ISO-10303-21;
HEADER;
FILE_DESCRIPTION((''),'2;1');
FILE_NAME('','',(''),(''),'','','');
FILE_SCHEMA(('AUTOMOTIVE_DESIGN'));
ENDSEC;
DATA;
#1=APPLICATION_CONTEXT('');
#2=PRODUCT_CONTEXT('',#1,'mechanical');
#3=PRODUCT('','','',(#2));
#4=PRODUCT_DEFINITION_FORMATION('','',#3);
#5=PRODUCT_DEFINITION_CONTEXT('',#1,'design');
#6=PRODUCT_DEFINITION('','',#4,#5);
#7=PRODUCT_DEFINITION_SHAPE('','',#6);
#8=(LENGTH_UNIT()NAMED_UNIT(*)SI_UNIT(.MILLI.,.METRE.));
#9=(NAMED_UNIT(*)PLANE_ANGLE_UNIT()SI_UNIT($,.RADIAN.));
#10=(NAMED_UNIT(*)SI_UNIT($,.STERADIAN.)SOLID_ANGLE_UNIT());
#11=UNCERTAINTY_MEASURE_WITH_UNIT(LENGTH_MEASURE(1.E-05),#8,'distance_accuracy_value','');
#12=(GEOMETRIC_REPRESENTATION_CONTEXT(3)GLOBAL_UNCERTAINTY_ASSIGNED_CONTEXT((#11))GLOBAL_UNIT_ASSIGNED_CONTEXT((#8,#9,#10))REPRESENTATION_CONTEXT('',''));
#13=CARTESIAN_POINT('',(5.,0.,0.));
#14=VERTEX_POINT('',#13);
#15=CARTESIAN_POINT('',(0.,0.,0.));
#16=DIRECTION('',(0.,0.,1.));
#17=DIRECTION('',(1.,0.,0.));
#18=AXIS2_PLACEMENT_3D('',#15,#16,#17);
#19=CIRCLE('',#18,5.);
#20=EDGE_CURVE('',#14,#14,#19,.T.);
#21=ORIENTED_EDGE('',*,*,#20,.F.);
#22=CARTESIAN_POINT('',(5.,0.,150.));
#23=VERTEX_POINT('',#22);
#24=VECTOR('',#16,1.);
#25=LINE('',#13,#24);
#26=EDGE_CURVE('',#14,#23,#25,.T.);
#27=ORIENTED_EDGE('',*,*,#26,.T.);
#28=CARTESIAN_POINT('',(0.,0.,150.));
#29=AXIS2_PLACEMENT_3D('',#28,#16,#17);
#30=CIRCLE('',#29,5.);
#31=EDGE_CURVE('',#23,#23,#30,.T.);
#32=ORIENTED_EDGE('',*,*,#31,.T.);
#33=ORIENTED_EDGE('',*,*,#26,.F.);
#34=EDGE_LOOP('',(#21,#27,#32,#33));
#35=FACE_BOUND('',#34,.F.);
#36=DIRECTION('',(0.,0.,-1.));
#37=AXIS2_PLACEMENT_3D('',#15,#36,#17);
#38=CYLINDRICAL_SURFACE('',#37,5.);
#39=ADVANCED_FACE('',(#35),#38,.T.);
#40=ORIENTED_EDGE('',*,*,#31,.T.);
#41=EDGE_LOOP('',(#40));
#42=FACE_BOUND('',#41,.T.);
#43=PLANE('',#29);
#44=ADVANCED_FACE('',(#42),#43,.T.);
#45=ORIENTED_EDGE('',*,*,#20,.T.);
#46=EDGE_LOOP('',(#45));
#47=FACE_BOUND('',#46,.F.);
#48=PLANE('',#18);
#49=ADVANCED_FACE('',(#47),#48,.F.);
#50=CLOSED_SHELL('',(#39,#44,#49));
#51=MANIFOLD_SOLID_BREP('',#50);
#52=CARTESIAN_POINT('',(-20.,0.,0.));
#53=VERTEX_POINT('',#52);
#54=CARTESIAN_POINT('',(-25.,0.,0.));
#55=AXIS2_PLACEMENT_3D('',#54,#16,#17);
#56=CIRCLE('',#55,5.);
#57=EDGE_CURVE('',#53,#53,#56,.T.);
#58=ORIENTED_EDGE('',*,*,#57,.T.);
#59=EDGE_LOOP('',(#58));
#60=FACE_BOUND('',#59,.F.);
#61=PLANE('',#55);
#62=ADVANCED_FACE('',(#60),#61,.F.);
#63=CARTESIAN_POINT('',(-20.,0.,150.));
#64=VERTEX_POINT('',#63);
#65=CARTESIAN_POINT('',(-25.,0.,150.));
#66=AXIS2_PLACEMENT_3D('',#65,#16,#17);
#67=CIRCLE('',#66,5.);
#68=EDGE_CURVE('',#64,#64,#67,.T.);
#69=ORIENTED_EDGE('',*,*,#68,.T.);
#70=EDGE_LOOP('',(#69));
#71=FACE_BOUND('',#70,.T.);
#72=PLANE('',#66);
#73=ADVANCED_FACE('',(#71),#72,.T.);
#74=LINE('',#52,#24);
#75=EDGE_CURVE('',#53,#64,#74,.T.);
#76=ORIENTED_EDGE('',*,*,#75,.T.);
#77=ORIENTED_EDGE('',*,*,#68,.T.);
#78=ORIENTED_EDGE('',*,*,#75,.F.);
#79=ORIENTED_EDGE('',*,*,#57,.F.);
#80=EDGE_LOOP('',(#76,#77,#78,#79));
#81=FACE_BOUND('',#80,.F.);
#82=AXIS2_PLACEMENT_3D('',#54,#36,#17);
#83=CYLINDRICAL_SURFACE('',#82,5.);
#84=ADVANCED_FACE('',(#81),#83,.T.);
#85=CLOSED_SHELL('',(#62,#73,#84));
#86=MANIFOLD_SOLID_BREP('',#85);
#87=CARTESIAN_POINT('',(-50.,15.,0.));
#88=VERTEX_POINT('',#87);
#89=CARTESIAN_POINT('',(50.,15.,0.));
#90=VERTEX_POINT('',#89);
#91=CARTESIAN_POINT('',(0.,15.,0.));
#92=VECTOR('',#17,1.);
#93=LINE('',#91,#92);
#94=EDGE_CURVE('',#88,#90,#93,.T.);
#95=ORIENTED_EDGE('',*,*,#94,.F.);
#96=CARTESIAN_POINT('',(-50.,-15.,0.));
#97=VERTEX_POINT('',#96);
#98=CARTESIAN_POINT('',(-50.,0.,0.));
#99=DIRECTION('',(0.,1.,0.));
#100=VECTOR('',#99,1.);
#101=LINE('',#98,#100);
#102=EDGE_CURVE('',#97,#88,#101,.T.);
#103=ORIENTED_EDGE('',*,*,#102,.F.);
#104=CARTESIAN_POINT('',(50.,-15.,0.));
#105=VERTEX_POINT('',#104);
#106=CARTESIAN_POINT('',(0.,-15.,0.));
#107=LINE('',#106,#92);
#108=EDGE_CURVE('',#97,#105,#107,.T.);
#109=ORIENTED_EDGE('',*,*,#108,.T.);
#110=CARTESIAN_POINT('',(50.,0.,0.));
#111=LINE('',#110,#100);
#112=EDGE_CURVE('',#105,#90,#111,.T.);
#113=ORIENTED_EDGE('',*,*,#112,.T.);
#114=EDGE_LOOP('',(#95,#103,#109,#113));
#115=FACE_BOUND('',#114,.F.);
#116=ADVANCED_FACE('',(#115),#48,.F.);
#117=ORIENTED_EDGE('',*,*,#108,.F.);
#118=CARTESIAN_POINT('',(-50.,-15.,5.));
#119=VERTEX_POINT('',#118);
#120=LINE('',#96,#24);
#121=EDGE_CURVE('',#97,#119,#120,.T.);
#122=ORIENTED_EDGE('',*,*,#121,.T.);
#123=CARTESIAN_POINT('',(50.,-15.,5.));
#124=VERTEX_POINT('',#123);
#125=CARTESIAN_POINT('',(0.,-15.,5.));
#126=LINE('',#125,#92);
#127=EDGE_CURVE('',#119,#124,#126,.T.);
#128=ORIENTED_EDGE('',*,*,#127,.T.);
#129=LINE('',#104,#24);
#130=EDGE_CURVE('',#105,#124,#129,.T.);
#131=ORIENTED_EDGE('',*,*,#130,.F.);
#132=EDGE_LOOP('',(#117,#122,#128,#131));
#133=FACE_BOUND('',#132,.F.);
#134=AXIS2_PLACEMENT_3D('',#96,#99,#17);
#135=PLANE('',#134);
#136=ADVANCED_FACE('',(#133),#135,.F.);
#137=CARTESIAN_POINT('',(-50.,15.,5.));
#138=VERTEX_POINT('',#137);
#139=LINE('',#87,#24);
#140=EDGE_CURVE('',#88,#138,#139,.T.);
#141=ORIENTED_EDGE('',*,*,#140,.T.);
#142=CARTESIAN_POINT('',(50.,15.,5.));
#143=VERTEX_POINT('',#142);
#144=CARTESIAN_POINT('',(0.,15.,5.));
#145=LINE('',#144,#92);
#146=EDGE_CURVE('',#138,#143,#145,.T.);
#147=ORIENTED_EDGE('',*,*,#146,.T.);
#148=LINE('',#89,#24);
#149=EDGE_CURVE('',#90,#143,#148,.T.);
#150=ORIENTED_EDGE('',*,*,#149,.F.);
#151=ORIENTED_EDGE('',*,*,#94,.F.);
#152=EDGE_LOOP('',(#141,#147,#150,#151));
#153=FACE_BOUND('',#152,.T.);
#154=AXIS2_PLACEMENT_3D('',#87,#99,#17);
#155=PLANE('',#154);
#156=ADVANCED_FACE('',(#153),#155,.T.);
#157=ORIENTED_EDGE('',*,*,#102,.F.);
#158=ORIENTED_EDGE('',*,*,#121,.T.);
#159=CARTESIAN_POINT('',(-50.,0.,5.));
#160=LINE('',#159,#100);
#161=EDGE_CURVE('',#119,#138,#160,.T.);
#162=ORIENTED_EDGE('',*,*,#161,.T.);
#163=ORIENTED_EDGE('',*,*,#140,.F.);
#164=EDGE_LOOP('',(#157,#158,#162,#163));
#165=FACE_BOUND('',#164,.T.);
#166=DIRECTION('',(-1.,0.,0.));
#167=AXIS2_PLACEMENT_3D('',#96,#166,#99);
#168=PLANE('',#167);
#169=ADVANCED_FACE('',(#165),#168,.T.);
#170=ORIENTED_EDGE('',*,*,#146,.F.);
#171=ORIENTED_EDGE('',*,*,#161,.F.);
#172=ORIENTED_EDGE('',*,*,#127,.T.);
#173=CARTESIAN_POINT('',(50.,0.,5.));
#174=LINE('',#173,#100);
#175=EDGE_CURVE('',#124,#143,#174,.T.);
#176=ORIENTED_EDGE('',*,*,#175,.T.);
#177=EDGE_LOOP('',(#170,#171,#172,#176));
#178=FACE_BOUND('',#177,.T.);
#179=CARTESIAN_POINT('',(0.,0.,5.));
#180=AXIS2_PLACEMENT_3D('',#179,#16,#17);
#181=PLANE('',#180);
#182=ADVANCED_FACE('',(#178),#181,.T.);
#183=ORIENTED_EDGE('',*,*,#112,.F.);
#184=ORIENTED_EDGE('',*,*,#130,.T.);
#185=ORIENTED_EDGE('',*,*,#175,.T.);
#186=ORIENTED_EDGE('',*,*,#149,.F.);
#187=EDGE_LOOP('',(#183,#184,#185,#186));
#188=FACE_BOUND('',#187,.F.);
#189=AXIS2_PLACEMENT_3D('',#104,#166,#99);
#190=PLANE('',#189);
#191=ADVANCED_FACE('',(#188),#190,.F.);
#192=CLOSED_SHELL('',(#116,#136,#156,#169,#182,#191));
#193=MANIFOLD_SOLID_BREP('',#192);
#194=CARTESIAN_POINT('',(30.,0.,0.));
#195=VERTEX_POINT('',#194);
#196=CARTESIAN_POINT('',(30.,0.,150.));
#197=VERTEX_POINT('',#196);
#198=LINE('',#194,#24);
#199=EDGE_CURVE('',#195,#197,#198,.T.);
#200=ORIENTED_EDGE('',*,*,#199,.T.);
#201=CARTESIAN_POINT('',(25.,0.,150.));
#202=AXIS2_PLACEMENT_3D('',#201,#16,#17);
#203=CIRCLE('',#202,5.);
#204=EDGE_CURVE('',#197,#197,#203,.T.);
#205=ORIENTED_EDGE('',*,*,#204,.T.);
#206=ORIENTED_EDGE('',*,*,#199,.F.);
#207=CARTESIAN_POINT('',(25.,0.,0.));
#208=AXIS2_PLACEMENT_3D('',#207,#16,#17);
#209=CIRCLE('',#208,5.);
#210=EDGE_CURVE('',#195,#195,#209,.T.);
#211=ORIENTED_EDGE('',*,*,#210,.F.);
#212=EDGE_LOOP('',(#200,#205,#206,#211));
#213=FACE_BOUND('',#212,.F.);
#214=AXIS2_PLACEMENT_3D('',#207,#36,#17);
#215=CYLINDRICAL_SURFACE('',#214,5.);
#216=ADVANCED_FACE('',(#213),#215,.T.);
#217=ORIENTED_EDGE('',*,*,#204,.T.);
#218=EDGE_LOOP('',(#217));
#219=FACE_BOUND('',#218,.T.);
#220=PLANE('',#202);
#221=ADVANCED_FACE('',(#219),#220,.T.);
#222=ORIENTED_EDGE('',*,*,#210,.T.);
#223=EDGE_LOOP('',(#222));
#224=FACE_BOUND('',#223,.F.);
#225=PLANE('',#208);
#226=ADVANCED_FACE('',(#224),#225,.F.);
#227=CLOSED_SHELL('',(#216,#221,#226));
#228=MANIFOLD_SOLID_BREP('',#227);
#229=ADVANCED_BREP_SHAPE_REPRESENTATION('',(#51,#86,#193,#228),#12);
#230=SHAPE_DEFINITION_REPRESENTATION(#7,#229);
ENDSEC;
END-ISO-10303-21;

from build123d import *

# Parameters (mm, degrees)
F0_W     = 100
F0_H     = 30
F0_R     = 5
F1_DEPTH = 5
F2_DEPTH = 150


with BuildPart() as f1:
    # F0 (on Top) → F1 (new body)
    with BuildSketch(Plane.XY):
        Rectangle(F0_W, F0_H)
        with Locations((-25, 0)):
            Circle(F0_R, mode=Mode.SUBTRACT)
        Circle(F0_R, mode=Mode.SUBTRACT)
        with Locations((25, 0)):
            Circle(F0_R, mode=Mode.SUBTRACT)
        with Locations((-25, 0)):
            Circle(F0_R)
        Circle(F0_R)
        with Locations((25, 0)):
            Circle(F0_R)
    extrude(amount=F1_DEPTH)


with BuildPart() as f2:
    # F0 (on Top) → F2 (new body)
    with BuildSketch(Plane.XY):
        with Locations((-25, 0)):
            Circle(F0_R)
        Circle(F0_R)
        with Locations((25, 0)):
            Circle(F0_R)
    extrude(amount=F2_DEPTH)


solid = Compound([f1.part, f2.part])
